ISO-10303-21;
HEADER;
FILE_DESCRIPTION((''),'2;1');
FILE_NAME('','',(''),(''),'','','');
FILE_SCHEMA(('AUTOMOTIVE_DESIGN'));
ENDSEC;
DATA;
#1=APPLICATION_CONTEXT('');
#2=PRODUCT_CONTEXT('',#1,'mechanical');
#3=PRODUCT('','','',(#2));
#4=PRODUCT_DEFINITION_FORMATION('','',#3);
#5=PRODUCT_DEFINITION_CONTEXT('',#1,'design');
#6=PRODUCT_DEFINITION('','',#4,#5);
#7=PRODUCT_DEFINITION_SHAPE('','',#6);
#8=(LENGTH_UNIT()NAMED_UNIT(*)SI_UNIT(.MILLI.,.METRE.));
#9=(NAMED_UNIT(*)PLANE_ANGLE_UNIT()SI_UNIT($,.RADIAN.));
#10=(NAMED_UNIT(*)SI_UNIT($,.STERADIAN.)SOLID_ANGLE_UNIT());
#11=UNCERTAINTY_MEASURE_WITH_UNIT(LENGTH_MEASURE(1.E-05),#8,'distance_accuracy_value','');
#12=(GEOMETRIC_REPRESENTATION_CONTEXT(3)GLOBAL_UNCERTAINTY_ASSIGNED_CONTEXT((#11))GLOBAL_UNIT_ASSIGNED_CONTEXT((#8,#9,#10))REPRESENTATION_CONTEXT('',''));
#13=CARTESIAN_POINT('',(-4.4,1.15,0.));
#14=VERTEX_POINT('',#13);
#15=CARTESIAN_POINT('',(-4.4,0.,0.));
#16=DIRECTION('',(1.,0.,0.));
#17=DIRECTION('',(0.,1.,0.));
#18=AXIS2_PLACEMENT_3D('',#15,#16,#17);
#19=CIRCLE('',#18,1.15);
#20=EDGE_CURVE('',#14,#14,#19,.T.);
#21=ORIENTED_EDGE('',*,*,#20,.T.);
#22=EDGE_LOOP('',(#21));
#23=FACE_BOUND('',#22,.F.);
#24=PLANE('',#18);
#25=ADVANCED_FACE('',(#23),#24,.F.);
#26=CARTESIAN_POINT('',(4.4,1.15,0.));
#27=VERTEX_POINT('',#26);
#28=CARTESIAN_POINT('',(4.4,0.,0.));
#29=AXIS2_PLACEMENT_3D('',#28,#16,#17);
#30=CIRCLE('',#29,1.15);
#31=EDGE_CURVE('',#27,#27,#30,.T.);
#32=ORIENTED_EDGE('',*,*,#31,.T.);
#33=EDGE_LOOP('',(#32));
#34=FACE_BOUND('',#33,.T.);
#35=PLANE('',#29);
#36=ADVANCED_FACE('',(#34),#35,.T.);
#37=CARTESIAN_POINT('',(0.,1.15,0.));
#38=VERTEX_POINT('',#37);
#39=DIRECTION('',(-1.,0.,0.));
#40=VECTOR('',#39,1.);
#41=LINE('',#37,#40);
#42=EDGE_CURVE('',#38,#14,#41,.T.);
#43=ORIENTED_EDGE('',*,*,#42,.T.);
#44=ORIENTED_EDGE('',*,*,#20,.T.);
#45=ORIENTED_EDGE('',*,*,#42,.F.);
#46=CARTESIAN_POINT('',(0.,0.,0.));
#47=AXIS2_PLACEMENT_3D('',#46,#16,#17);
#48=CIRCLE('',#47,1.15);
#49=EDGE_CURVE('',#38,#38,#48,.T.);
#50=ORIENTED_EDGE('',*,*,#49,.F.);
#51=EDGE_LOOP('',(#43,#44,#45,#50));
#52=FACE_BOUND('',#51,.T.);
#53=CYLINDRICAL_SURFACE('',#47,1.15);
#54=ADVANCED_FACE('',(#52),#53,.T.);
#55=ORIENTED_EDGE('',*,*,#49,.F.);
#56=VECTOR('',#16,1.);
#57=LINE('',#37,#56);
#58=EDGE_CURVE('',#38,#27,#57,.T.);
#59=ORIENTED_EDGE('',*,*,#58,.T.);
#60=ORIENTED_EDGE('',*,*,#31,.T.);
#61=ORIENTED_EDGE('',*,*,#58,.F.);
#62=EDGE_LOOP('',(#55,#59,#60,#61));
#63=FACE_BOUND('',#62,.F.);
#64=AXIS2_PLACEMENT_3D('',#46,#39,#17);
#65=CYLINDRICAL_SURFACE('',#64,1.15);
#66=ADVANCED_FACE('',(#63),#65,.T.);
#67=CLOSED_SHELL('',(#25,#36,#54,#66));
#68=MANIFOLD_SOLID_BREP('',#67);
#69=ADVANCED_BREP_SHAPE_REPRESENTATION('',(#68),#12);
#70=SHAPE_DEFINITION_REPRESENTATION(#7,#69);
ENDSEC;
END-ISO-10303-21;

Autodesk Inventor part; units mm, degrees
ref_plane "YZ Plane" through (0, 0, 0) normal (1, 0, 0) x (0, 1, 0)
ref_plane "XZ Plane" through (0, 0, 0) normal (0, 1, 0) x (-1, 0, 0)
ref_plane "XY Plane" through (0, 0, 0) normal (0, 0, 1) x (1, 0, 0)
sketch "Boceto1" plane through (0, 0, 0) normal (1, 0, 0) x (0, 1, 0)
  circle A0 centre (0, 0) radius 1.15
  dimension "d2" = 2.3
extrude "Extrusión1" add sketch "Boceto1" along normal mid plane 8.8
equation "\"d2\" = wire_D"
equation "\"d0\" = 0.5 * offset + wire_D + 3 * thikness"
equation "\"thikness\" = 2"
equation "\"offset\" = 1"
equation "\"r1\" = 5.55"
equation "\"r2o\" = 59.75"
equation "\"delta_y\" = 6"
equation "\"wire_d\" = 1"
equation "\"width_ang_spring\" = 5"
equation "\"spring_int_diam\" = 8.5"
equation "\"spring_ext_diam\" = 10.5"
equation "\"r3\" = 8.25"
equation "\"r3R\" = 4.75"
equation "\"r3T\" = 6.74537"
equation "\"alpha\" = 54.847297deg"
equation "\"alpha2\" = 270deg"
equation "\"theta3_recogido\" = 305.152703deg"
equation "\"delta_theta_3\" = 45deg"
equation "\"joint_width\" = 12"
equation "\"joint_radius\" = 7.75"
equation "\"shaft_width\" = 15"
equation "\"shaft_joint_diameter\" = 7.75"
equation "\"separation_space\" = 0.5"
equation "\"height_finger\" = 42"
equation "\"cell_screw_head_diameter\" = 4"
equation "\"cell_screw_diameter\" = 2"
equation "\"cell_space\" = 2"
equation "\"cell_width\" = 6"
equation "\"cell_theta_position\" = 60deg"
equation "\"cell_thikness\" = 1"
equation "\"cell_lenght\" = 37"
equation "\"cell_z_space\" = 5"
equation "\"wire_D\" = 2.3"
equation "\"width_link\" = 8"
equation "\"Dt\" = 1.05949"
equation "\"Djoint_shaft\" = 2.3"
equation "\"shaft_x\" = 1.45"
equation "\"shaft_y\" = 6.45"
equation "\"lenght_body_link\" = 186.05"
equation "\"lenght_bar_support\" = 201.65"
equation "\"wire_spring_d\" = 1"
equation "\"spring_int_d\" = 6"
equation "\"spring_lenght\" = 28"
equation "\"trigger_offset\" = 2"
equation "\"m2_theta2o\" = 107deg"
equation "\"m2_r2\" = 28"
equation "\"e\" = 9"
equation "\"So\" = 17"
equation "\"m2_theta3o\" = -30deg"
equation "\"m2_r3\" = 19.75"
equation "\"m2_delta_theta1\" = 15deg"
equation "\"m2_theta3f\" = -60deg"
equation "\"trigger_thumb_lenght\" = 6"
equation "\"width_r12\" = 8"
equation "\"m2_r1\" = 25.2"
equation "\"r3_thikness\" = 3.5"
equation "\"t_thikness\" = 3"
equation "\"tg_width\" = 4"
equation "\"pivot_screw_d\" = 4"
equation "\"pivot_diameter\" = 7"
equation "\"sj_diam_shaft\" = 6"
equation "\"sj_groove\" = 2"
equation "\"sj_groove_deep\" = 7"
equation "\"sj_head_D\" = 7"
equation "\"sj_head_d\" = 4.7464"
equation "\"sj_head_height\" = 5"
equation "\"sf_lenght\" = 9.5"
equation "\"sf_base\" = 3"
equation "\"sf_head_height\" = 3"
equation "\"sf_head_width\" = 4.5"
equation "\"sf_head_offset\" = 0.25"
equation "\"sf_head_grip_width\" = 2"
equation "\"sf_head_angle\" = 45deg"
equation "\"sf_thikness\" = 5"
equation "\"screw_Dhead\" = 8"
equation "\"screw_d\" = 4"
equation "\"screw_lenght\" = 12"
equation "\"screwJ_base_D\" = 9"
equation "\"screwJ_top_D\" = 13"
equation "\"gj_D\" = 6"
equation "\"gj_d\" = 4"
equation "\"gj_out_section\" = 6"
equation "\"ext_width_slider\" = 3.5"
equation "\"sfbox_tip_width\" = 2.5"
equation "\"slim_width_slider\" = 1.5"
equation "\"agarradera_width\" = 4"
equation "\"int_width_slider\" = 2"
equation "\"agarradera_position\" = 82.13077"
equation "\"sfbox_theta1\" = 60deg"
equation "\"sfbox_theta2\" = 45deg"
equation "\"agarradera_theta\" = 60deg"
equation "\"sfbox_width\" = 1.5"
equation "\"box_fat_slider_lenght\" = 67"
equation "\"fat_width_slider\" = 2"
equation "\"box_in_width\" = 72"
equation "\"flex_separation_theta\" = 60deg"
equation "\"sf_flex_separation\" = 38.66667"
equation "\"thikness_box\" = 1.5"
equation "\"box_slim_slider_lenght\" = 116"
equation "\"box_in_deep\" = 77"
equation "\"box_in_height\" = 35"
properties part number "shaft_bar" material "Acero inoxidable"
